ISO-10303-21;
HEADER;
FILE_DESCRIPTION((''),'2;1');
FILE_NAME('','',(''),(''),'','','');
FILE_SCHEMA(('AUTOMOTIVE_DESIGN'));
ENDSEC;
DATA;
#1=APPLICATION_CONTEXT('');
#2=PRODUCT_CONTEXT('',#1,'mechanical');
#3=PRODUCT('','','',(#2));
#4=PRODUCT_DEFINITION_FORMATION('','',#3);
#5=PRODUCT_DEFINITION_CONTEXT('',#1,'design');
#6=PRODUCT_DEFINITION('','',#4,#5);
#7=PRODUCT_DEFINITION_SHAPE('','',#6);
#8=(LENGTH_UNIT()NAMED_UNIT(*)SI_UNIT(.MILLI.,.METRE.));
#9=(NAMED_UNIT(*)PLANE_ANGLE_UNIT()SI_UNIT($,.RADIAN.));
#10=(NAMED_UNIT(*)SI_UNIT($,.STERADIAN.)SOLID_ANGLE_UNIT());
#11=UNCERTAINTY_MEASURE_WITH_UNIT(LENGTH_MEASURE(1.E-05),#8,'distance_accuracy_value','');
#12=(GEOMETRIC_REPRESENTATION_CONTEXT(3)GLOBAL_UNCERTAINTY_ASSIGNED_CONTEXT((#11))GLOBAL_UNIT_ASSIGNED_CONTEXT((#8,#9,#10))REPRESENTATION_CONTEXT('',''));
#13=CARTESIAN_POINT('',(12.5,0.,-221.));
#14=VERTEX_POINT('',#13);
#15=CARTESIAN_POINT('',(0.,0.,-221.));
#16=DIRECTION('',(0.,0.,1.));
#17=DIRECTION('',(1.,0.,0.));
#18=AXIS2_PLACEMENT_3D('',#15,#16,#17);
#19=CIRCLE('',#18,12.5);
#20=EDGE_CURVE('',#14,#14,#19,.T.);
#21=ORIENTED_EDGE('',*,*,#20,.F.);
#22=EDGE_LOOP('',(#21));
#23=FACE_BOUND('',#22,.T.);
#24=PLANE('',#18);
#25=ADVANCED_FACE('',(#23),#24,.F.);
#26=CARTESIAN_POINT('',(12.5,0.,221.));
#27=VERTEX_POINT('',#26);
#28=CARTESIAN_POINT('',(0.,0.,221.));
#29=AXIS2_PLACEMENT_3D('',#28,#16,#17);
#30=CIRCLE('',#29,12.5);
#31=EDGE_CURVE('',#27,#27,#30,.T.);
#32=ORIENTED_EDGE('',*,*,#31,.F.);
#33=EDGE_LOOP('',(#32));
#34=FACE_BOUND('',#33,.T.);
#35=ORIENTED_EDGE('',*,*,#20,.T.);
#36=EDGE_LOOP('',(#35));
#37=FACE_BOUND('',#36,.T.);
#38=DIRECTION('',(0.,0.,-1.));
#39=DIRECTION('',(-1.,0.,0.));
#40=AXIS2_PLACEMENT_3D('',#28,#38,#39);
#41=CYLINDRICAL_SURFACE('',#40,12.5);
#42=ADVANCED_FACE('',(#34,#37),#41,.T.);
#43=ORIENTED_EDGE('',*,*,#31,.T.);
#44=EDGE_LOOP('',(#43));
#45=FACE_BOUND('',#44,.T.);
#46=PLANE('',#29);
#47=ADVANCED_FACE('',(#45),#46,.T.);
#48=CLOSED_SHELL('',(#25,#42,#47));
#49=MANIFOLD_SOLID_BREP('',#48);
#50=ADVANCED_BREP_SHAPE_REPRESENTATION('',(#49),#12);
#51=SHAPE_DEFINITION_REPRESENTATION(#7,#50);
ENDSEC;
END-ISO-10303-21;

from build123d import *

# Parameters (mm, degrees)
SKETCH1_R           = 12.5
BOSS_EXTRUDE1_DEPTH = 221


with BuildPart() as part:
    # Sketch1 → Boss-Extrude1 (new body, symmetric)
    with BuildSketch(Plane.XY):
        Circle(SKETCH1_R)
    extrude(amount=BOSS_EXTRUDE1_DEPTH, both=True)


solid = part.part
